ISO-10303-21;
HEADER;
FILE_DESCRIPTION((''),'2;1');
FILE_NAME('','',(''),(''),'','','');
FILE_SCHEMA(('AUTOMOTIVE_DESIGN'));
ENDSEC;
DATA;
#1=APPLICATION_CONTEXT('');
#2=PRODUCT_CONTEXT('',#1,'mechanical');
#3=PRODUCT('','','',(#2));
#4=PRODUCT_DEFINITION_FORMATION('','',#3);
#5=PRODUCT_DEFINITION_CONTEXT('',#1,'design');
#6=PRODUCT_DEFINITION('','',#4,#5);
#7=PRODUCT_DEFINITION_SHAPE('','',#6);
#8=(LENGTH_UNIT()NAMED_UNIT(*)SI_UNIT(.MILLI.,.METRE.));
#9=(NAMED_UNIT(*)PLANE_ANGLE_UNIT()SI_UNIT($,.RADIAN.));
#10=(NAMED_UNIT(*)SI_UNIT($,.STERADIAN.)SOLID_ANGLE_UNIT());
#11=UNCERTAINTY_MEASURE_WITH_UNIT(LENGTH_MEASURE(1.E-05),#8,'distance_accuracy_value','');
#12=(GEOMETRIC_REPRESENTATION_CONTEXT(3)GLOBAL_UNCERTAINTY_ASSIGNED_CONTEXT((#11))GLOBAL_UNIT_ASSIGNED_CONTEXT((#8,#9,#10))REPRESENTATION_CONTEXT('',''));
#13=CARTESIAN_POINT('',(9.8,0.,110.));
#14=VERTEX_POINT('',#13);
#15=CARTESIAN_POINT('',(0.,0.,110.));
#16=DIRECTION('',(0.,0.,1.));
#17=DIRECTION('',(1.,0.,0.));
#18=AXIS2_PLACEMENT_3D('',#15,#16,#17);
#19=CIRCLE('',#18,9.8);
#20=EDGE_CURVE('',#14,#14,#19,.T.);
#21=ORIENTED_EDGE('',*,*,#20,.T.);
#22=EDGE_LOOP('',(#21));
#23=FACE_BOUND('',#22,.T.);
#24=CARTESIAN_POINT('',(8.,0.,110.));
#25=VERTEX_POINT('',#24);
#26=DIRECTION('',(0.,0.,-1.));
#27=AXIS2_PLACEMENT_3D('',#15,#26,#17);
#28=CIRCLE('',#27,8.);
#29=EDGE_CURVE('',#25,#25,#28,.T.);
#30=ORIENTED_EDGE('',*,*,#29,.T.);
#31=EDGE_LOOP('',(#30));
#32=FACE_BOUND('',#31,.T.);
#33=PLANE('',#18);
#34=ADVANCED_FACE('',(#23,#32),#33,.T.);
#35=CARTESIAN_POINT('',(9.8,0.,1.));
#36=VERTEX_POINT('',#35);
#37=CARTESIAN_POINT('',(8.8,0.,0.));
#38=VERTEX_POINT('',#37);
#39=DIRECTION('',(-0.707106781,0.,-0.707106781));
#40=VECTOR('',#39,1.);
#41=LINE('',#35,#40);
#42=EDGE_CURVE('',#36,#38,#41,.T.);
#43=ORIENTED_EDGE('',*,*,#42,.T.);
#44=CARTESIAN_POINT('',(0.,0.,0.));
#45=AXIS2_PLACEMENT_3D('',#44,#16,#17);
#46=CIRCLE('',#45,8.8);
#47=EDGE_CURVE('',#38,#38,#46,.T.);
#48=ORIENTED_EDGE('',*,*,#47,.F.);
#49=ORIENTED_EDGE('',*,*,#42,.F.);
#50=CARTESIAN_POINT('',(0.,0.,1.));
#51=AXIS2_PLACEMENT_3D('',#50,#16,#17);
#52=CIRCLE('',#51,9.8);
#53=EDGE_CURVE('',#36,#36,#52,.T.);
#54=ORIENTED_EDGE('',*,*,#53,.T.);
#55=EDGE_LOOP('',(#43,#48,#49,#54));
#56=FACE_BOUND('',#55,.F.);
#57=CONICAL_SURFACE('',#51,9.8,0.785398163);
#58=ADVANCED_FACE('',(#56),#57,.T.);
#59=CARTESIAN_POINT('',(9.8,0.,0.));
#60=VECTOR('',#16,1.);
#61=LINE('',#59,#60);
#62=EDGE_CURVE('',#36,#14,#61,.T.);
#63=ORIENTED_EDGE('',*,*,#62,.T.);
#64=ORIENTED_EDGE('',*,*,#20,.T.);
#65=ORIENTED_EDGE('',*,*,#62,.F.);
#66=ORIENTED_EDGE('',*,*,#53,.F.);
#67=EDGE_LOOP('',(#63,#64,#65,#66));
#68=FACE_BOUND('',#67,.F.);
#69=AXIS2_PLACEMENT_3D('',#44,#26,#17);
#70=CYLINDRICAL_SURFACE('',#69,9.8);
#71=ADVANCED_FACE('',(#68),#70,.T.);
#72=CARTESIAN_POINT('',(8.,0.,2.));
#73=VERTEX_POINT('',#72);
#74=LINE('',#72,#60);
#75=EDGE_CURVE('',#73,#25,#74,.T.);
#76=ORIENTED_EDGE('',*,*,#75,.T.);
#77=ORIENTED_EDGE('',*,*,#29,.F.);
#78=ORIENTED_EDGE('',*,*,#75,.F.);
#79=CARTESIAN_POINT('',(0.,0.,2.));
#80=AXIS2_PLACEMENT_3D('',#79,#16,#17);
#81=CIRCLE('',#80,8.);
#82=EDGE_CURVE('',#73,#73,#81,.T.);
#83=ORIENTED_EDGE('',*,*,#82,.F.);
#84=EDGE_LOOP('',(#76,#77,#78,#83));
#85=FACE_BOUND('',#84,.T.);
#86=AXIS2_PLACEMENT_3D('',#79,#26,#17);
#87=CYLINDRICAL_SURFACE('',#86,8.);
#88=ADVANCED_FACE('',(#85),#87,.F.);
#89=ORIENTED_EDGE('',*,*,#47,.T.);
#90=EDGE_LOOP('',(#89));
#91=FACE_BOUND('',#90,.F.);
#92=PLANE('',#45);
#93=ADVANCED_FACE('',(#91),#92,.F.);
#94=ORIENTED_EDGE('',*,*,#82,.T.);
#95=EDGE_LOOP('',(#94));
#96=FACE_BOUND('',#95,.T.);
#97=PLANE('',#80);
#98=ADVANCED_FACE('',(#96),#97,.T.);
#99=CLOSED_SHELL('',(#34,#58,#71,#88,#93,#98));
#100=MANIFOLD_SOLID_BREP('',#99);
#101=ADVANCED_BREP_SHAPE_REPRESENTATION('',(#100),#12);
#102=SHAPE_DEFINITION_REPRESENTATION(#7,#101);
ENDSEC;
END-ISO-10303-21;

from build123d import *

# Parameters (mm, degrees)
CYLINDER013_R     = 8
CYLINDER013_DEPTH = 110
CYLINDER015_R     = 9.8
CYLINDER015_DEPTH = 110
CHAMFER_SIZE      = 1


with BuildPart() as negative:
    # Cylinder013 → Cylinder013 (new body)
    with BuildSketch(Plane.XY.offset(2)):
        Circle(CYLINDER013_R)
    extrude(amount=CYLINDER013_DEPTH)


with BuildPart() as central_tube:
    # Cylinder015 → Cylinder015 (new body)
    with BuildSketch(Plane.XY):
        Circle(CYLINDER015_R)
    extrude(amount=CYLINDER015_DEPTH)

    # Cut: cut negative
    add(negative.part, mode=Mode.SUBTRACT)

    # Chamfer
    chamfer_edges = [central_tube.edges().sort_by_distance(p)[0] for p in [
        (-9.8, 0, 0),
    ]]
    chamfer(chamfer_edges, length=CHAMFER_SIZE)


solid = central_tube.part
